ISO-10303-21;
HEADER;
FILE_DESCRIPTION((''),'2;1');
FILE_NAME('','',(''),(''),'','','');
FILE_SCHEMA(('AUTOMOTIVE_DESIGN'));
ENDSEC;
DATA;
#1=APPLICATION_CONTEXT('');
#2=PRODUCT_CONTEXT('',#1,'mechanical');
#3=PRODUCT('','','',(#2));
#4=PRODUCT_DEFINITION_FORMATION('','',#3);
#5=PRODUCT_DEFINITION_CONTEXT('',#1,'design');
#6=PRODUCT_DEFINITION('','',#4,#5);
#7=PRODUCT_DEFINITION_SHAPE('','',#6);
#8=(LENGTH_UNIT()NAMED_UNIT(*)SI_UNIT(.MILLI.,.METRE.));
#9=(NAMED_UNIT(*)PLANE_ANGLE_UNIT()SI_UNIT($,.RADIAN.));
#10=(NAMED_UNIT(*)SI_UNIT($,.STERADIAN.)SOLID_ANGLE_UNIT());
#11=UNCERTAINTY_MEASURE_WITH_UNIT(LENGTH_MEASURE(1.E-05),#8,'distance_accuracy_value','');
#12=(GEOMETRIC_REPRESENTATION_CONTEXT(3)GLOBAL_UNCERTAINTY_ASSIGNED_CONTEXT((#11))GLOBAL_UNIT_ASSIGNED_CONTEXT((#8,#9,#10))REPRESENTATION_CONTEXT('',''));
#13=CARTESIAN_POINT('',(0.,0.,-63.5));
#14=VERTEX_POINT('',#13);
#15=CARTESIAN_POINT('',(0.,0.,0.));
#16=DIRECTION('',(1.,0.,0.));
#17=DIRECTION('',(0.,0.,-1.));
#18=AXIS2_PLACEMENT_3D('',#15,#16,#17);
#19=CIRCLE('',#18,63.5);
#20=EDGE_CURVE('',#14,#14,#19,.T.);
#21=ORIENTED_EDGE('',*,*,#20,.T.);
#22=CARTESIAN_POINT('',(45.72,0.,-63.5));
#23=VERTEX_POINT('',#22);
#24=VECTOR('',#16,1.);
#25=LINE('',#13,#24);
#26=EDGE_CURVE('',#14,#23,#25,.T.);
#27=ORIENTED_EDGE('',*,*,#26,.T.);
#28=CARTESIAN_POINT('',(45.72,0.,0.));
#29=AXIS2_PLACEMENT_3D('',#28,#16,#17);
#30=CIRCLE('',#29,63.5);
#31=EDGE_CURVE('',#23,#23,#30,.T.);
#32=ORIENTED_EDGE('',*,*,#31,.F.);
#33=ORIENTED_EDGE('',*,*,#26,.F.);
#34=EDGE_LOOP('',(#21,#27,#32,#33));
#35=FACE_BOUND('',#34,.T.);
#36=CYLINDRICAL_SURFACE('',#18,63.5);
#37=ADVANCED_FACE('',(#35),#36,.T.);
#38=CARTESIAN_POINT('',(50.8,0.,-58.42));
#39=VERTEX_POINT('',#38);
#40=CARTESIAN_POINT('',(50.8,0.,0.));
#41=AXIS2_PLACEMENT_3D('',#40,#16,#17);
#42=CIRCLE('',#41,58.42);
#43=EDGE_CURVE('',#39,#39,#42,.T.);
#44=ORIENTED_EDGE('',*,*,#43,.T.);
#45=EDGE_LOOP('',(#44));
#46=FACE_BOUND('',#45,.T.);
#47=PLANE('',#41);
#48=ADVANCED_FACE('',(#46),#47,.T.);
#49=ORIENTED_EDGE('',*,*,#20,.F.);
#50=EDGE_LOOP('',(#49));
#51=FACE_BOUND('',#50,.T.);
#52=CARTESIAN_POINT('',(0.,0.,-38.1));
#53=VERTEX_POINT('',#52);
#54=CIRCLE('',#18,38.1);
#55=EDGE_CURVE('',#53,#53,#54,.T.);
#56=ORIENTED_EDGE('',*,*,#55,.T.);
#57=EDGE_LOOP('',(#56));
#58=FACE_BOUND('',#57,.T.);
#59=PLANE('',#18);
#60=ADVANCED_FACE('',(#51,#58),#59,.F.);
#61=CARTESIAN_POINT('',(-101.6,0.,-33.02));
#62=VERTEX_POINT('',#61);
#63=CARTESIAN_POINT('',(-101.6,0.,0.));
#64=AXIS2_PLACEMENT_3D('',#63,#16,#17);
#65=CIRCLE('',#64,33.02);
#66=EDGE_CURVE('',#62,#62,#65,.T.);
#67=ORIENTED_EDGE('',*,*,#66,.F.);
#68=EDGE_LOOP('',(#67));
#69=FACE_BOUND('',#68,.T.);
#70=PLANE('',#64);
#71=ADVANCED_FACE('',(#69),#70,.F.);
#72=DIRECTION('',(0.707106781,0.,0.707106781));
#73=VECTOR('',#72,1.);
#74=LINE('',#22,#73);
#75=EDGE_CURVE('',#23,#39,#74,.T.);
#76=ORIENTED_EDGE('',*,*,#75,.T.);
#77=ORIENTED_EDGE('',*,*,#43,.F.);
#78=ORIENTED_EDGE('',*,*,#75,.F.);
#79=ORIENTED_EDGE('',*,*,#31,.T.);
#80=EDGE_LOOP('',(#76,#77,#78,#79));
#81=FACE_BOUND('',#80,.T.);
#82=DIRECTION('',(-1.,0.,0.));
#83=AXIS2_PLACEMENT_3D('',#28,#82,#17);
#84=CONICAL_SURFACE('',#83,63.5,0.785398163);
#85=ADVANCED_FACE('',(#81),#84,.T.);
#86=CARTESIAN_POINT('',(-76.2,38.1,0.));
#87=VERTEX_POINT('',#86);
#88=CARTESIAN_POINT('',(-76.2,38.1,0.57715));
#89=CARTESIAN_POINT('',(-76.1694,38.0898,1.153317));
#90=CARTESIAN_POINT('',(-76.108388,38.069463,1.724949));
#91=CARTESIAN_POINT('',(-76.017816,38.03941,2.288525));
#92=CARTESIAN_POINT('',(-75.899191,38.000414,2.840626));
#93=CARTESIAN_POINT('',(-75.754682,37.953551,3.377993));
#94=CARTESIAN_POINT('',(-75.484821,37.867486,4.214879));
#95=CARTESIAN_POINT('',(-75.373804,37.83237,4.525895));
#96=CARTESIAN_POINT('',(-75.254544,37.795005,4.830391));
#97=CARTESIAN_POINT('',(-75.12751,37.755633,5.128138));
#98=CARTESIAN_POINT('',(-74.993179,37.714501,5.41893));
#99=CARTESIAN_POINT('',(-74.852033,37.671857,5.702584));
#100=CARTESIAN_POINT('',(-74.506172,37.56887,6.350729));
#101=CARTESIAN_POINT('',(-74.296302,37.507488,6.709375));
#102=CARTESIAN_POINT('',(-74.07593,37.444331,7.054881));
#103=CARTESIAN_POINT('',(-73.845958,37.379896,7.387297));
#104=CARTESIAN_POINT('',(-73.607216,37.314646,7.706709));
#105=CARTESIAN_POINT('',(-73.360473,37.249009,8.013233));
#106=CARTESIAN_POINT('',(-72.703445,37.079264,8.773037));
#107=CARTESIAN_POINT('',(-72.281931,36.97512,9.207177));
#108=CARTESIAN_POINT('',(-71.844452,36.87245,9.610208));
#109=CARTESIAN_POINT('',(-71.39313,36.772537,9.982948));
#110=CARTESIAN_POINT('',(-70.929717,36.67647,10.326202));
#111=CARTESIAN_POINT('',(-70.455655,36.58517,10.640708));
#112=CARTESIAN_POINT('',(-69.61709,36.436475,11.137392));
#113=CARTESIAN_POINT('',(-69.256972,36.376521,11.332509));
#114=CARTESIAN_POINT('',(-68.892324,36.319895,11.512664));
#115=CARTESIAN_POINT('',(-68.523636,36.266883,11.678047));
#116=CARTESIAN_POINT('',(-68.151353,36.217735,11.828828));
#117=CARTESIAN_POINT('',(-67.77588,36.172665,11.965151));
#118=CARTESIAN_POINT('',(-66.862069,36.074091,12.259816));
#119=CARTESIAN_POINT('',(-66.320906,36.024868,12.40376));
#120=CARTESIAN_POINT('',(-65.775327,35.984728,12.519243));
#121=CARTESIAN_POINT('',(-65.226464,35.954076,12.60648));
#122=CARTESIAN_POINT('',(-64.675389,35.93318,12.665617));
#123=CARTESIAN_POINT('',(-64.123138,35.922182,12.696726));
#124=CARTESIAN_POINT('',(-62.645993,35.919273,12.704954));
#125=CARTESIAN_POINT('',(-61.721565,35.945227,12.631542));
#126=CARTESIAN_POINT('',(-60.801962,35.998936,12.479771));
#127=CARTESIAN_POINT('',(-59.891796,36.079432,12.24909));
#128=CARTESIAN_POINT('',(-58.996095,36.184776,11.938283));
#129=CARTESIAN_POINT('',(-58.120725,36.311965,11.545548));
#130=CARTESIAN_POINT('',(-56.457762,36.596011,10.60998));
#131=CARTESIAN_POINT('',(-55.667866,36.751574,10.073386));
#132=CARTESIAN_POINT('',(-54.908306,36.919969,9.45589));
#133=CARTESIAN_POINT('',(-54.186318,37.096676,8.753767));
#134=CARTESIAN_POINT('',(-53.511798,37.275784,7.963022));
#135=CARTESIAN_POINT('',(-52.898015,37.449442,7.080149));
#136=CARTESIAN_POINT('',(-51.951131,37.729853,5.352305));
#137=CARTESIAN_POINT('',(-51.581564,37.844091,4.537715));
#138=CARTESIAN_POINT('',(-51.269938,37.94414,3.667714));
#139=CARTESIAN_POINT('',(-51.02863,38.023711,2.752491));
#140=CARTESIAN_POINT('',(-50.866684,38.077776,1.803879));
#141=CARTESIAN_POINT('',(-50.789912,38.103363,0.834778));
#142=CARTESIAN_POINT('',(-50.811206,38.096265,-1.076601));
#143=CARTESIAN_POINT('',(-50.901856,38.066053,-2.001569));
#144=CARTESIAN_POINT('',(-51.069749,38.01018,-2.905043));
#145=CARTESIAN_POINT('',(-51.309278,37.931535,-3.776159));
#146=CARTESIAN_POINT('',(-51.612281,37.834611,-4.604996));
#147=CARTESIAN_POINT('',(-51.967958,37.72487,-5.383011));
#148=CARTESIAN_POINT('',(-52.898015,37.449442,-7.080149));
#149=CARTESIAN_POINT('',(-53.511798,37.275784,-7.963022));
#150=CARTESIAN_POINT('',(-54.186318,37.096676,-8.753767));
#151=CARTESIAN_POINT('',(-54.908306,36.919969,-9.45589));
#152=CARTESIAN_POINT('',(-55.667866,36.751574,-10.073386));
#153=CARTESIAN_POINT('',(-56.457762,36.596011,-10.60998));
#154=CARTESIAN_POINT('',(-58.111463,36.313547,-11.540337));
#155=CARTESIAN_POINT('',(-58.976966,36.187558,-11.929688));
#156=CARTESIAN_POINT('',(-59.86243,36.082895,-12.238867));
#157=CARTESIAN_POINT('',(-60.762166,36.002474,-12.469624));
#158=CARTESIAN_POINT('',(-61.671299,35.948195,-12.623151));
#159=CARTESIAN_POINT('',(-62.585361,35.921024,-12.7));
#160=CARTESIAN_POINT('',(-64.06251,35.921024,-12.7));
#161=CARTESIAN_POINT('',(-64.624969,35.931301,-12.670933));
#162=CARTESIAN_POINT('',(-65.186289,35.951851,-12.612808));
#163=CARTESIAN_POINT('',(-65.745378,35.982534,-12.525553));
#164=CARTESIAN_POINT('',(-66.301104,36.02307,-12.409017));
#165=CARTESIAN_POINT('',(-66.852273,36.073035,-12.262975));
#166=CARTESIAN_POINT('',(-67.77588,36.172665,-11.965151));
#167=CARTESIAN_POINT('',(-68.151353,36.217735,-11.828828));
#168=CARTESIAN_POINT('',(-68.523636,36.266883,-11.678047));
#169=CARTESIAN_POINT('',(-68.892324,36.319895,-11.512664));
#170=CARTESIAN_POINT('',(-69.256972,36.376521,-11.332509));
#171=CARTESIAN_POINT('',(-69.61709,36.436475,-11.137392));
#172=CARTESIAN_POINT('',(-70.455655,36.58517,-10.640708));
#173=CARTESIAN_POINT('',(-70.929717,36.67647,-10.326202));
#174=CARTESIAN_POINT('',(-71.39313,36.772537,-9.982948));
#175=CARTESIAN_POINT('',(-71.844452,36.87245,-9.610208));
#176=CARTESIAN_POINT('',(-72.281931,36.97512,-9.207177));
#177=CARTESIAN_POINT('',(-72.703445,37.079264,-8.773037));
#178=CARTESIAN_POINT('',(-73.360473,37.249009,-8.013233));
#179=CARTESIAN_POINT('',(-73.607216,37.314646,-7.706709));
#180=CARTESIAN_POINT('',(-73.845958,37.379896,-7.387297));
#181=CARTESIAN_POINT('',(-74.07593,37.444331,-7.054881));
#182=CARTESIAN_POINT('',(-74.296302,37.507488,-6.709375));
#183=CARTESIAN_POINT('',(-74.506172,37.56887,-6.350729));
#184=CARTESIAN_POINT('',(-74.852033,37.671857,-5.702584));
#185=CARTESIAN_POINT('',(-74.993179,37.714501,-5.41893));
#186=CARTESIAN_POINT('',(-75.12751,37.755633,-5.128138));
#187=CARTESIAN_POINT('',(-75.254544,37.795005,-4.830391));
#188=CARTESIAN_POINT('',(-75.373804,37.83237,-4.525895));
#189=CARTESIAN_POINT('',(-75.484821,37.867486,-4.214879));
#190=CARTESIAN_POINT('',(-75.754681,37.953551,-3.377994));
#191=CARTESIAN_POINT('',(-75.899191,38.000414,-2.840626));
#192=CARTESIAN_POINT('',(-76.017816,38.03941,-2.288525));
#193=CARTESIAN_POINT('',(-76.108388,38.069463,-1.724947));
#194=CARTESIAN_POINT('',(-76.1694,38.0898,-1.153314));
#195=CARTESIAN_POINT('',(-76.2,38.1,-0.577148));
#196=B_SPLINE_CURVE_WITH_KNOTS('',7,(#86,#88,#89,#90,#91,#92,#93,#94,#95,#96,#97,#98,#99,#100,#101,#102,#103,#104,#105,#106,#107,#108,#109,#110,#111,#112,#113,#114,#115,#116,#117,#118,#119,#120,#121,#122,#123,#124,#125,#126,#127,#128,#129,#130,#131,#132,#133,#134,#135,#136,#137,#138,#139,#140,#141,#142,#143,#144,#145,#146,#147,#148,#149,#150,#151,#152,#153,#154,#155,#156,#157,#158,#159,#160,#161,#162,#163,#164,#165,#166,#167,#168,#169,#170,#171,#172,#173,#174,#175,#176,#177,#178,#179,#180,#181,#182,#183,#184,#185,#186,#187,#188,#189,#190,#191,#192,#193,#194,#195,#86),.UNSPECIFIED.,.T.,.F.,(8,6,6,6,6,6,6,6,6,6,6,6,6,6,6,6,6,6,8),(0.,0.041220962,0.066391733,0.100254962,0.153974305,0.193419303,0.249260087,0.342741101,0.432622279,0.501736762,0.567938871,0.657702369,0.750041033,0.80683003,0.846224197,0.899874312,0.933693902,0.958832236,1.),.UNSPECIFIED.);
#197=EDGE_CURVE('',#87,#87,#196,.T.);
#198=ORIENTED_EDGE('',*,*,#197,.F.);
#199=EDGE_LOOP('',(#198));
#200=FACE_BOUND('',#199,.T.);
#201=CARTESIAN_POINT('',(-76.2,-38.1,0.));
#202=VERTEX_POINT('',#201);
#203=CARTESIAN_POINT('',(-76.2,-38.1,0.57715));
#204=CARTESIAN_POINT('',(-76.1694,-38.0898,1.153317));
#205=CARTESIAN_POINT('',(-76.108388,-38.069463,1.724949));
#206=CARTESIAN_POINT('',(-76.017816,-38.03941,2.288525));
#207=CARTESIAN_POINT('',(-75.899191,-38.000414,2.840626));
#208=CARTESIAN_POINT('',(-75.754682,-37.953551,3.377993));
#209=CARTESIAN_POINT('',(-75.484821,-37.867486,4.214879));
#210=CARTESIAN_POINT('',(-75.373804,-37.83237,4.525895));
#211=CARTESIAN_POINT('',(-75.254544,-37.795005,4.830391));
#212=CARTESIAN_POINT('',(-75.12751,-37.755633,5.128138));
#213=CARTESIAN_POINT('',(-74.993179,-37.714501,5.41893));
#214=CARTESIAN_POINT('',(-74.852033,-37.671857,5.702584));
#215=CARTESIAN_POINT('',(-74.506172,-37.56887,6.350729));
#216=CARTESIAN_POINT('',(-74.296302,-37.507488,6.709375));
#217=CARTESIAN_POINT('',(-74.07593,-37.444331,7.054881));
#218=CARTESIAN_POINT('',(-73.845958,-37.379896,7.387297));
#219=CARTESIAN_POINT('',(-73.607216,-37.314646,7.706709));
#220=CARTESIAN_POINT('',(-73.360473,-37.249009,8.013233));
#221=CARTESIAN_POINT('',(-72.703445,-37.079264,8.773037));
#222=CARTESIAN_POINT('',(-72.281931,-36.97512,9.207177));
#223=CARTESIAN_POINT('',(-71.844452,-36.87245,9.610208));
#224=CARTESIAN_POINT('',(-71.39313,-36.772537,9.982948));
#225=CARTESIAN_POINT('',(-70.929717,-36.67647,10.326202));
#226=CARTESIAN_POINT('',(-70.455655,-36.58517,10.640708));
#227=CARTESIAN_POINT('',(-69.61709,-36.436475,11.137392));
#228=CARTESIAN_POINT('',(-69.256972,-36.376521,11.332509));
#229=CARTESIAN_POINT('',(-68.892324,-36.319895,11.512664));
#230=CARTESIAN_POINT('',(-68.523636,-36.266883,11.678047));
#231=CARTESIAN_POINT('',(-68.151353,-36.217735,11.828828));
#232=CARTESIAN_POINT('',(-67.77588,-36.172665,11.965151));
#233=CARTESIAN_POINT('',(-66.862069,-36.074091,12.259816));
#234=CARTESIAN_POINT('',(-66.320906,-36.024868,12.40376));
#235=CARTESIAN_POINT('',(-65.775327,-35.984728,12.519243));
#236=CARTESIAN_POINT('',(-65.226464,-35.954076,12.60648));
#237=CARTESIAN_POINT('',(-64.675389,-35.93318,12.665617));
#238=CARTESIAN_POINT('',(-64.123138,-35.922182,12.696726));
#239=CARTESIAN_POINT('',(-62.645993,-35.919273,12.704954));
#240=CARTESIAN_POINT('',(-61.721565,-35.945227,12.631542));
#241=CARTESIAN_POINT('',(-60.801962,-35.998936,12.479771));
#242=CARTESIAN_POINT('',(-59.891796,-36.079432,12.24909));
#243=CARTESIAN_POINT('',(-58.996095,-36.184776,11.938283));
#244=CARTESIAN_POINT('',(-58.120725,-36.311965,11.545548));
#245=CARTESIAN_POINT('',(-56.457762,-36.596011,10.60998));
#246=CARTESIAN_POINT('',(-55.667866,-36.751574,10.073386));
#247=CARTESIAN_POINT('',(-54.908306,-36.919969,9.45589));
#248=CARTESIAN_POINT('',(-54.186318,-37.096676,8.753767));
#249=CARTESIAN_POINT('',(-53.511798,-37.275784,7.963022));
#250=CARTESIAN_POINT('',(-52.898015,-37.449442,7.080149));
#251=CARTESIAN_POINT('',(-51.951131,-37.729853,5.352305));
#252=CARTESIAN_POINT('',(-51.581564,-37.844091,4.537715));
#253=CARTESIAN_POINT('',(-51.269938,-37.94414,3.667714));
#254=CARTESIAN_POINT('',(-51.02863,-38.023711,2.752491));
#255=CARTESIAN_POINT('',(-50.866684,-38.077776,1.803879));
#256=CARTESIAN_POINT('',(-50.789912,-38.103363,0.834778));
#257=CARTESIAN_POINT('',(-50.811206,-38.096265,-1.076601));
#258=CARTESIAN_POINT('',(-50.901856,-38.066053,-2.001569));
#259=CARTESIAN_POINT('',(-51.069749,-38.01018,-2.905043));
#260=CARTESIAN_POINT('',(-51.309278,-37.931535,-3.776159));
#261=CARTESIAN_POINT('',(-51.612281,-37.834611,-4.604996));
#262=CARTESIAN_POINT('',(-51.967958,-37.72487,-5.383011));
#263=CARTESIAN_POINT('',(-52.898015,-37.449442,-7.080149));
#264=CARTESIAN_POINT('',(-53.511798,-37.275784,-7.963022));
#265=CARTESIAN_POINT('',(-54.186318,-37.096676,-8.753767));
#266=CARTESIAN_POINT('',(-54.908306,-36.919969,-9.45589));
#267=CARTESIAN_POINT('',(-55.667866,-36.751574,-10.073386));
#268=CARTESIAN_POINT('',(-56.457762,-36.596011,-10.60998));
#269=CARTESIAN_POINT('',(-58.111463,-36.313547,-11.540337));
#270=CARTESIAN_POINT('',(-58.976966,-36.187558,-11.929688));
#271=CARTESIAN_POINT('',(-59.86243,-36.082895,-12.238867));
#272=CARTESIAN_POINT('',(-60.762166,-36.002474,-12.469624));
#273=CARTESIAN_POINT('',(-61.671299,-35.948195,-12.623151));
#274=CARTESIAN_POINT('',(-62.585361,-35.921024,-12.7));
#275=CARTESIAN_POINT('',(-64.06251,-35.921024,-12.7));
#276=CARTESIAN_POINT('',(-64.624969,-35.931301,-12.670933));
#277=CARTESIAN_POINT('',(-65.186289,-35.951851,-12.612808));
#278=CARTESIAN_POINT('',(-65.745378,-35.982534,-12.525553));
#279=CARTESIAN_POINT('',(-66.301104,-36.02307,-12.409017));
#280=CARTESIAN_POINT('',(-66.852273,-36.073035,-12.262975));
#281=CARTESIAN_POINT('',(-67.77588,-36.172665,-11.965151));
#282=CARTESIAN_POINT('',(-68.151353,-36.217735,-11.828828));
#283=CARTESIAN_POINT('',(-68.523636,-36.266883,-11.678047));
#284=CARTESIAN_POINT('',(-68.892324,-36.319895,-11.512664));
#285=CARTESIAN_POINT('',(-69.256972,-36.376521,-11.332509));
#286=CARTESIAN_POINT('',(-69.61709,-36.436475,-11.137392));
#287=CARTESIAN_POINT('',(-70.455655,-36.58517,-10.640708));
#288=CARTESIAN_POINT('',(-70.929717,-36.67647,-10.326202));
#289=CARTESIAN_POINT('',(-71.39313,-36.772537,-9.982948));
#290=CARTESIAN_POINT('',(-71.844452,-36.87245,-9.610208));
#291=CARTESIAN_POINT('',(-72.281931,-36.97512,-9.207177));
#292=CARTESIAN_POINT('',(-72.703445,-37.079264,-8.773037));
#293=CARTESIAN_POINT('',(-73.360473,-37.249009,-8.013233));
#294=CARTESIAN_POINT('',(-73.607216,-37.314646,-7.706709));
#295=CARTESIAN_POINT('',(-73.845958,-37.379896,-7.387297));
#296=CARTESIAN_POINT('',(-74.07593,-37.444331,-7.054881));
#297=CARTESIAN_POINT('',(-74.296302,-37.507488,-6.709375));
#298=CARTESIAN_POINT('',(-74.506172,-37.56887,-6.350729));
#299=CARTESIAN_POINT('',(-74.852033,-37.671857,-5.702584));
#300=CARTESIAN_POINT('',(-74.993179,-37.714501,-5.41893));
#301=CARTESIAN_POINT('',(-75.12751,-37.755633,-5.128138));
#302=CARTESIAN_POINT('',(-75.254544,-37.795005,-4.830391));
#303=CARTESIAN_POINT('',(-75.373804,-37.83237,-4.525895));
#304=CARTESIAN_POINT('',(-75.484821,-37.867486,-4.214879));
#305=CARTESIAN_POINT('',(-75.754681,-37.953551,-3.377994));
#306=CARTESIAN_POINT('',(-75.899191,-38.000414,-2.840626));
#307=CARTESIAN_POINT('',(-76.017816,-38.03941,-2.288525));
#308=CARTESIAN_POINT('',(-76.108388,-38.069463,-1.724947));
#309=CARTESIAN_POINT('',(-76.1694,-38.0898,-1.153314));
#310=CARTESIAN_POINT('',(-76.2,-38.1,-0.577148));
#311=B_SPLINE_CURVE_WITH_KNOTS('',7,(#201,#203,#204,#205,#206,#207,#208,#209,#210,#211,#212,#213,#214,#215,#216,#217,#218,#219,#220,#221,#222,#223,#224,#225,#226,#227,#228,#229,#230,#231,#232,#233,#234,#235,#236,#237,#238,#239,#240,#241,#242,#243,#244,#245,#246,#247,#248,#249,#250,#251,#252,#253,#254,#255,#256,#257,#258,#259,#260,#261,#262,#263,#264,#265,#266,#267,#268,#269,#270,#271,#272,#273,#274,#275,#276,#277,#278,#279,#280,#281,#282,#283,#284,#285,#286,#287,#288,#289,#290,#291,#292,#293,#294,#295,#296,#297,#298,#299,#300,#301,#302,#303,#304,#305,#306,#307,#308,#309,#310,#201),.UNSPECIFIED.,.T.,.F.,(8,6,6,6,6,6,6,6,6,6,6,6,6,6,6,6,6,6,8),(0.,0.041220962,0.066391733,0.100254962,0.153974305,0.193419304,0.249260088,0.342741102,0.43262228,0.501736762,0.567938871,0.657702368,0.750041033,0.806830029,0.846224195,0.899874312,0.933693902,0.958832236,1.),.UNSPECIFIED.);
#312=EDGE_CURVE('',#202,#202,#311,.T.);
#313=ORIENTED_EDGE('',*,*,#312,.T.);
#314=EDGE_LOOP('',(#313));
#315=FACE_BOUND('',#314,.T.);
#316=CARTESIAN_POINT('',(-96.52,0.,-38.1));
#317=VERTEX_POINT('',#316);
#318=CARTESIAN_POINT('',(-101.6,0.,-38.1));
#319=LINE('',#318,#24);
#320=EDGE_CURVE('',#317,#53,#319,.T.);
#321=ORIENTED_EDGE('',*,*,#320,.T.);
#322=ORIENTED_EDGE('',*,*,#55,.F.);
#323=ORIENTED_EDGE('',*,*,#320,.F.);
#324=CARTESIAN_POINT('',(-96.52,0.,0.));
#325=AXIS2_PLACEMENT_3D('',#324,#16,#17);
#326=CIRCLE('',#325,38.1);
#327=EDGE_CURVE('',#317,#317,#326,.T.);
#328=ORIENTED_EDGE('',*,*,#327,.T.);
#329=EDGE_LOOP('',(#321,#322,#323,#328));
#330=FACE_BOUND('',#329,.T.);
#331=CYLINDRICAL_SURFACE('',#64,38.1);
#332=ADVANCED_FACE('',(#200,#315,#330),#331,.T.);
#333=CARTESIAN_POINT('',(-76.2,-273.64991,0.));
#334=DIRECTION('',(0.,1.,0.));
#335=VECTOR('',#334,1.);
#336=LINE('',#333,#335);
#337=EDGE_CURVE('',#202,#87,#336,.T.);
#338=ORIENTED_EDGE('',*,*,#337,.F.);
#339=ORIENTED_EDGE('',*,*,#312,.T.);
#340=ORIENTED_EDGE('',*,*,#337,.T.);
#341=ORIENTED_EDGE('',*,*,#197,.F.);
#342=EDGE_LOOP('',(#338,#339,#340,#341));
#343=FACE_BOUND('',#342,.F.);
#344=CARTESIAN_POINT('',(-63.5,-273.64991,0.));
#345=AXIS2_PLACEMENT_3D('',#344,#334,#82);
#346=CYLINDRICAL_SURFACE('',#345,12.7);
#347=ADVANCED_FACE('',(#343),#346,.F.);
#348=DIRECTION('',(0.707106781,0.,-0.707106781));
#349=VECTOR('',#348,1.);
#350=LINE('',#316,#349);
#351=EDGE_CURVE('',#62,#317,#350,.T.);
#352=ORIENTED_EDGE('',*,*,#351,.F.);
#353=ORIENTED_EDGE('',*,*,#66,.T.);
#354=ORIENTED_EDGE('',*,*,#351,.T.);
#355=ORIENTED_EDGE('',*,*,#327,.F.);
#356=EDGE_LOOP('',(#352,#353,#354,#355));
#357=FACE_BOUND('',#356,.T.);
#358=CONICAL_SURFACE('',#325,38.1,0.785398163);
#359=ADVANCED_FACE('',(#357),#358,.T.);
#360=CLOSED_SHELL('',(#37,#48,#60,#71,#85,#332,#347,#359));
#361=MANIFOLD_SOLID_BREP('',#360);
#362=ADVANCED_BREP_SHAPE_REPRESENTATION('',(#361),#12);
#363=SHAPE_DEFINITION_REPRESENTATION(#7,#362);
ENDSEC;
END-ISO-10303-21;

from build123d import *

# Parameters (mm, degrees)
F4_D    = 25.4
F5_SIZE = 5.08


with BuildPart() as f1:
    # F0 (on Front) → F1 (revolve)
    with BuildSketch(Plane.XZ):
        Polygon((50.8, 0), (-101.6, 0), (-101.6, -38.1), (0, -38.1), (0, -63.5), (50.8, -63.5), align=None)
    revolve(axis=Axis((-25.4, 0, 0), (1, 0, 0)))

    # F4 (through all)
    with Locations(Plane.XZ.offset(38.1)):
        with Locations((-63.5, 0)):
            Hole(F4_D / 2)

    # F5
    f5_edges = [f1.edges().sort_by_distance(p)[0] for p in [
        (50.8, 0, 63.5),
        (-101.6, 0, 38.1),
    ]]
    chamfer(f5_edges, length=F5_SIZE)


solid = f1.part
